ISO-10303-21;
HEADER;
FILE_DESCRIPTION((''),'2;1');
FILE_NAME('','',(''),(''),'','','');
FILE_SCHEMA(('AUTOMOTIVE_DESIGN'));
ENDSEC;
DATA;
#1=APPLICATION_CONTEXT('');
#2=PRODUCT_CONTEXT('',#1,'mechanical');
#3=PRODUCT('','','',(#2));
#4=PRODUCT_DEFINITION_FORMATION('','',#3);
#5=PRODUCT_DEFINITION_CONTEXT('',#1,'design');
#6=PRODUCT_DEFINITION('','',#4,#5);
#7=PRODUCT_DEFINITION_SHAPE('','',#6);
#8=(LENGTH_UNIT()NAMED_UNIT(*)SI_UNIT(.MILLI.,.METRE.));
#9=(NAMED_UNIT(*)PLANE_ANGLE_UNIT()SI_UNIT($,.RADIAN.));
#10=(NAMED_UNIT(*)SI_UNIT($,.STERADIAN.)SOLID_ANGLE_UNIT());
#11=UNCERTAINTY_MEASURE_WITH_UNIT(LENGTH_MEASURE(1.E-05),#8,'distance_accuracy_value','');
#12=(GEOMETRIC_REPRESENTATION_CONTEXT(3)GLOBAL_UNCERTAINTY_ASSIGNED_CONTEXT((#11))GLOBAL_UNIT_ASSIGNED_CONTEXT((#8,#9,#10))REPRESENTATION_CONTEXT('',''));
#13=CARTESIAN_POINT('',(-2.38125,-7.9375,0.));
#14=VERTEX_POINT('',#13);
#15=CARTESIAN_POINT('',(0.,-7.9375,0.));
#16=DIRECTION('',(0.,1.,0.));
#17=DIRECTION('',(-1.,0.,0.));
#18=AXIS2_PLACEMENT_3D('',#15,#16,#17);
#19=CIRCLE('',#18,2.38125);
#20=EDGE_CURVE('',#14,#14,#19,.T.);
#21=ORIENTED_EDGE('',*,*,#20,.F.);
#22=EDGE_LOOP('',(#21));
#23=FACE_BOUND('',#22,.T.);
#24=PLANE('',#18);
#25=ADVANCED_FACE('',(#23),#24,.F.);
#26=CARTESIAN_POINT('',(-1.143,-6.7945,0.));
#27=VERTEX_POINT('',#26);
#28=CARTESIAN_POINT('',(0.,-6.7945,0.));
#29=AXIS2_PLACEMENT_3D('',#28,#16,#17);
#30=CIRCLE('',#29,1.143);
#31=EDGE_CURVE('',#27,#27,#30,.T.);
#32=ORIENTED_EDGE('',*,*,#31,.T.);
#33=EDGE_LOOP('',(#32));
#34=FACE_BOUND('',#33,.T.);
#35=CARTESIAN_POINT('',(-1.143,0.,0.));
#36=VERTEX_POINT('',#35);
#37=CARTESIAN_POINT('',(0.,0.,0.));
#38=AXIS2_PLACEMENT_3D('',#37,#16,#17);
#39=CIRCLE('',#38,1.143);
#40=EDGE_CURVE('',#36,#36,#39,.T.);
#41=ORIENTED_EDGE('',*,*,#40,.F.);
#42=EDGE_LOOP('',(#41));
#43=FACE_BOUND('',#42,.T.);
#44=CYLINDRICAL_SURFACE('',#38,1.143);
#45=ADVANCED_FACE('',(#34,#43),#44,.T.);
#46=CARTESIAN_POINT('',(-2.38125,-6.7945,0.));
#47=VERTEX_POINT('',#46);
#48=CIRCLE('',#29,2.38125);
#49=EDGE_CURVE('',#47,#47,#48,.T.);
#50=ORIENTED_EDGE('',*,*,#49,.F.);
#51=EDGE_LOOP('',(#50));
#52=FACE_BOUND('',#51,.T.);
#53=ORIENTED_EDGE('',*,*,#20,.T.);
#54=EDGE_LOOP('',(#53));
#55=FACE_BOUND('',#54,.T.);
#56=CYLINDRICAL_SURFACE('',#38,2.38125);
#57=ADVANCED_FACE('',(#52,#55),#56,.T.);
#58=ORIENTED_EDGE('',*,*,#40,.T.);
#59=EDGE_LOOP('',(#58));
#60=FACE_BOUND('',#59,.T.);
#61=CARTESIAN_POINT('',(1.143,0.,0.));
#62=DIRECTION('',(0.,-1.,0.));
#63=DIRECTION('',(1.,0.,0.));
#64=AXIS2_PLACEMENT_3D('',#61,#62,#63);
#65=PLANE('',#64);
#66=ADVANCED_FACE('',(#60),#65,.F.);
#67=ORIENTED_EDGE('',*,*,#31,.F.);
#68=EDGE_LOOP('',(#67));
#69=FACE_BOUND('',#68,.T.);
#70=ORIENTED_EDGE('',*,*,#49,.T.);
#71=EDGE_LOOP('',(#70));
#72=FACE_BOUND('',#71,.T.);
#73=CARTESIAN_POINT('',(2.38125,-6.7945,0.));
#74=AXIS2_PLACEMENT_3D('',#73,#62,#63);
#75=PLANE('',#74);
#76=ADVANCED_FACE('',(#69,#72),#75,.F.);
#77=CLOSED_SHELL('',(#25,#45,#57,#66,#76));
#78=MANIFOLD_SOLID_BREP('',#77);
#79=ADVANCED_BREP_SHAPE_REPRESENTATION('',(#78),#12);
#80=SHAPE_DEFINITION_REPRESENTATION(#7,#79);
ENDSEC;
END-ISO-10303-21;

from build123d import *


with BuildPart() as part:
    # Sketch1 → Revolve1 (revolve)
    with BuildSketch(Plane.XY, mode=Mode.PRIVATE) as revolve1_sk:
        Polygon((0, 0), (0, -7.9375), (2.38125, -7.9375), (2.38125, -6.7945), (1.143, -6.7945), (1.143, 0), align=None)
    revolve(revolve1_sk.sketch.rotate(Axis((0, 0, 0), (0, -1, 0)), 180), axis=Axis((0, 0, 0), (0, -1, 0)))


solid = part.part
